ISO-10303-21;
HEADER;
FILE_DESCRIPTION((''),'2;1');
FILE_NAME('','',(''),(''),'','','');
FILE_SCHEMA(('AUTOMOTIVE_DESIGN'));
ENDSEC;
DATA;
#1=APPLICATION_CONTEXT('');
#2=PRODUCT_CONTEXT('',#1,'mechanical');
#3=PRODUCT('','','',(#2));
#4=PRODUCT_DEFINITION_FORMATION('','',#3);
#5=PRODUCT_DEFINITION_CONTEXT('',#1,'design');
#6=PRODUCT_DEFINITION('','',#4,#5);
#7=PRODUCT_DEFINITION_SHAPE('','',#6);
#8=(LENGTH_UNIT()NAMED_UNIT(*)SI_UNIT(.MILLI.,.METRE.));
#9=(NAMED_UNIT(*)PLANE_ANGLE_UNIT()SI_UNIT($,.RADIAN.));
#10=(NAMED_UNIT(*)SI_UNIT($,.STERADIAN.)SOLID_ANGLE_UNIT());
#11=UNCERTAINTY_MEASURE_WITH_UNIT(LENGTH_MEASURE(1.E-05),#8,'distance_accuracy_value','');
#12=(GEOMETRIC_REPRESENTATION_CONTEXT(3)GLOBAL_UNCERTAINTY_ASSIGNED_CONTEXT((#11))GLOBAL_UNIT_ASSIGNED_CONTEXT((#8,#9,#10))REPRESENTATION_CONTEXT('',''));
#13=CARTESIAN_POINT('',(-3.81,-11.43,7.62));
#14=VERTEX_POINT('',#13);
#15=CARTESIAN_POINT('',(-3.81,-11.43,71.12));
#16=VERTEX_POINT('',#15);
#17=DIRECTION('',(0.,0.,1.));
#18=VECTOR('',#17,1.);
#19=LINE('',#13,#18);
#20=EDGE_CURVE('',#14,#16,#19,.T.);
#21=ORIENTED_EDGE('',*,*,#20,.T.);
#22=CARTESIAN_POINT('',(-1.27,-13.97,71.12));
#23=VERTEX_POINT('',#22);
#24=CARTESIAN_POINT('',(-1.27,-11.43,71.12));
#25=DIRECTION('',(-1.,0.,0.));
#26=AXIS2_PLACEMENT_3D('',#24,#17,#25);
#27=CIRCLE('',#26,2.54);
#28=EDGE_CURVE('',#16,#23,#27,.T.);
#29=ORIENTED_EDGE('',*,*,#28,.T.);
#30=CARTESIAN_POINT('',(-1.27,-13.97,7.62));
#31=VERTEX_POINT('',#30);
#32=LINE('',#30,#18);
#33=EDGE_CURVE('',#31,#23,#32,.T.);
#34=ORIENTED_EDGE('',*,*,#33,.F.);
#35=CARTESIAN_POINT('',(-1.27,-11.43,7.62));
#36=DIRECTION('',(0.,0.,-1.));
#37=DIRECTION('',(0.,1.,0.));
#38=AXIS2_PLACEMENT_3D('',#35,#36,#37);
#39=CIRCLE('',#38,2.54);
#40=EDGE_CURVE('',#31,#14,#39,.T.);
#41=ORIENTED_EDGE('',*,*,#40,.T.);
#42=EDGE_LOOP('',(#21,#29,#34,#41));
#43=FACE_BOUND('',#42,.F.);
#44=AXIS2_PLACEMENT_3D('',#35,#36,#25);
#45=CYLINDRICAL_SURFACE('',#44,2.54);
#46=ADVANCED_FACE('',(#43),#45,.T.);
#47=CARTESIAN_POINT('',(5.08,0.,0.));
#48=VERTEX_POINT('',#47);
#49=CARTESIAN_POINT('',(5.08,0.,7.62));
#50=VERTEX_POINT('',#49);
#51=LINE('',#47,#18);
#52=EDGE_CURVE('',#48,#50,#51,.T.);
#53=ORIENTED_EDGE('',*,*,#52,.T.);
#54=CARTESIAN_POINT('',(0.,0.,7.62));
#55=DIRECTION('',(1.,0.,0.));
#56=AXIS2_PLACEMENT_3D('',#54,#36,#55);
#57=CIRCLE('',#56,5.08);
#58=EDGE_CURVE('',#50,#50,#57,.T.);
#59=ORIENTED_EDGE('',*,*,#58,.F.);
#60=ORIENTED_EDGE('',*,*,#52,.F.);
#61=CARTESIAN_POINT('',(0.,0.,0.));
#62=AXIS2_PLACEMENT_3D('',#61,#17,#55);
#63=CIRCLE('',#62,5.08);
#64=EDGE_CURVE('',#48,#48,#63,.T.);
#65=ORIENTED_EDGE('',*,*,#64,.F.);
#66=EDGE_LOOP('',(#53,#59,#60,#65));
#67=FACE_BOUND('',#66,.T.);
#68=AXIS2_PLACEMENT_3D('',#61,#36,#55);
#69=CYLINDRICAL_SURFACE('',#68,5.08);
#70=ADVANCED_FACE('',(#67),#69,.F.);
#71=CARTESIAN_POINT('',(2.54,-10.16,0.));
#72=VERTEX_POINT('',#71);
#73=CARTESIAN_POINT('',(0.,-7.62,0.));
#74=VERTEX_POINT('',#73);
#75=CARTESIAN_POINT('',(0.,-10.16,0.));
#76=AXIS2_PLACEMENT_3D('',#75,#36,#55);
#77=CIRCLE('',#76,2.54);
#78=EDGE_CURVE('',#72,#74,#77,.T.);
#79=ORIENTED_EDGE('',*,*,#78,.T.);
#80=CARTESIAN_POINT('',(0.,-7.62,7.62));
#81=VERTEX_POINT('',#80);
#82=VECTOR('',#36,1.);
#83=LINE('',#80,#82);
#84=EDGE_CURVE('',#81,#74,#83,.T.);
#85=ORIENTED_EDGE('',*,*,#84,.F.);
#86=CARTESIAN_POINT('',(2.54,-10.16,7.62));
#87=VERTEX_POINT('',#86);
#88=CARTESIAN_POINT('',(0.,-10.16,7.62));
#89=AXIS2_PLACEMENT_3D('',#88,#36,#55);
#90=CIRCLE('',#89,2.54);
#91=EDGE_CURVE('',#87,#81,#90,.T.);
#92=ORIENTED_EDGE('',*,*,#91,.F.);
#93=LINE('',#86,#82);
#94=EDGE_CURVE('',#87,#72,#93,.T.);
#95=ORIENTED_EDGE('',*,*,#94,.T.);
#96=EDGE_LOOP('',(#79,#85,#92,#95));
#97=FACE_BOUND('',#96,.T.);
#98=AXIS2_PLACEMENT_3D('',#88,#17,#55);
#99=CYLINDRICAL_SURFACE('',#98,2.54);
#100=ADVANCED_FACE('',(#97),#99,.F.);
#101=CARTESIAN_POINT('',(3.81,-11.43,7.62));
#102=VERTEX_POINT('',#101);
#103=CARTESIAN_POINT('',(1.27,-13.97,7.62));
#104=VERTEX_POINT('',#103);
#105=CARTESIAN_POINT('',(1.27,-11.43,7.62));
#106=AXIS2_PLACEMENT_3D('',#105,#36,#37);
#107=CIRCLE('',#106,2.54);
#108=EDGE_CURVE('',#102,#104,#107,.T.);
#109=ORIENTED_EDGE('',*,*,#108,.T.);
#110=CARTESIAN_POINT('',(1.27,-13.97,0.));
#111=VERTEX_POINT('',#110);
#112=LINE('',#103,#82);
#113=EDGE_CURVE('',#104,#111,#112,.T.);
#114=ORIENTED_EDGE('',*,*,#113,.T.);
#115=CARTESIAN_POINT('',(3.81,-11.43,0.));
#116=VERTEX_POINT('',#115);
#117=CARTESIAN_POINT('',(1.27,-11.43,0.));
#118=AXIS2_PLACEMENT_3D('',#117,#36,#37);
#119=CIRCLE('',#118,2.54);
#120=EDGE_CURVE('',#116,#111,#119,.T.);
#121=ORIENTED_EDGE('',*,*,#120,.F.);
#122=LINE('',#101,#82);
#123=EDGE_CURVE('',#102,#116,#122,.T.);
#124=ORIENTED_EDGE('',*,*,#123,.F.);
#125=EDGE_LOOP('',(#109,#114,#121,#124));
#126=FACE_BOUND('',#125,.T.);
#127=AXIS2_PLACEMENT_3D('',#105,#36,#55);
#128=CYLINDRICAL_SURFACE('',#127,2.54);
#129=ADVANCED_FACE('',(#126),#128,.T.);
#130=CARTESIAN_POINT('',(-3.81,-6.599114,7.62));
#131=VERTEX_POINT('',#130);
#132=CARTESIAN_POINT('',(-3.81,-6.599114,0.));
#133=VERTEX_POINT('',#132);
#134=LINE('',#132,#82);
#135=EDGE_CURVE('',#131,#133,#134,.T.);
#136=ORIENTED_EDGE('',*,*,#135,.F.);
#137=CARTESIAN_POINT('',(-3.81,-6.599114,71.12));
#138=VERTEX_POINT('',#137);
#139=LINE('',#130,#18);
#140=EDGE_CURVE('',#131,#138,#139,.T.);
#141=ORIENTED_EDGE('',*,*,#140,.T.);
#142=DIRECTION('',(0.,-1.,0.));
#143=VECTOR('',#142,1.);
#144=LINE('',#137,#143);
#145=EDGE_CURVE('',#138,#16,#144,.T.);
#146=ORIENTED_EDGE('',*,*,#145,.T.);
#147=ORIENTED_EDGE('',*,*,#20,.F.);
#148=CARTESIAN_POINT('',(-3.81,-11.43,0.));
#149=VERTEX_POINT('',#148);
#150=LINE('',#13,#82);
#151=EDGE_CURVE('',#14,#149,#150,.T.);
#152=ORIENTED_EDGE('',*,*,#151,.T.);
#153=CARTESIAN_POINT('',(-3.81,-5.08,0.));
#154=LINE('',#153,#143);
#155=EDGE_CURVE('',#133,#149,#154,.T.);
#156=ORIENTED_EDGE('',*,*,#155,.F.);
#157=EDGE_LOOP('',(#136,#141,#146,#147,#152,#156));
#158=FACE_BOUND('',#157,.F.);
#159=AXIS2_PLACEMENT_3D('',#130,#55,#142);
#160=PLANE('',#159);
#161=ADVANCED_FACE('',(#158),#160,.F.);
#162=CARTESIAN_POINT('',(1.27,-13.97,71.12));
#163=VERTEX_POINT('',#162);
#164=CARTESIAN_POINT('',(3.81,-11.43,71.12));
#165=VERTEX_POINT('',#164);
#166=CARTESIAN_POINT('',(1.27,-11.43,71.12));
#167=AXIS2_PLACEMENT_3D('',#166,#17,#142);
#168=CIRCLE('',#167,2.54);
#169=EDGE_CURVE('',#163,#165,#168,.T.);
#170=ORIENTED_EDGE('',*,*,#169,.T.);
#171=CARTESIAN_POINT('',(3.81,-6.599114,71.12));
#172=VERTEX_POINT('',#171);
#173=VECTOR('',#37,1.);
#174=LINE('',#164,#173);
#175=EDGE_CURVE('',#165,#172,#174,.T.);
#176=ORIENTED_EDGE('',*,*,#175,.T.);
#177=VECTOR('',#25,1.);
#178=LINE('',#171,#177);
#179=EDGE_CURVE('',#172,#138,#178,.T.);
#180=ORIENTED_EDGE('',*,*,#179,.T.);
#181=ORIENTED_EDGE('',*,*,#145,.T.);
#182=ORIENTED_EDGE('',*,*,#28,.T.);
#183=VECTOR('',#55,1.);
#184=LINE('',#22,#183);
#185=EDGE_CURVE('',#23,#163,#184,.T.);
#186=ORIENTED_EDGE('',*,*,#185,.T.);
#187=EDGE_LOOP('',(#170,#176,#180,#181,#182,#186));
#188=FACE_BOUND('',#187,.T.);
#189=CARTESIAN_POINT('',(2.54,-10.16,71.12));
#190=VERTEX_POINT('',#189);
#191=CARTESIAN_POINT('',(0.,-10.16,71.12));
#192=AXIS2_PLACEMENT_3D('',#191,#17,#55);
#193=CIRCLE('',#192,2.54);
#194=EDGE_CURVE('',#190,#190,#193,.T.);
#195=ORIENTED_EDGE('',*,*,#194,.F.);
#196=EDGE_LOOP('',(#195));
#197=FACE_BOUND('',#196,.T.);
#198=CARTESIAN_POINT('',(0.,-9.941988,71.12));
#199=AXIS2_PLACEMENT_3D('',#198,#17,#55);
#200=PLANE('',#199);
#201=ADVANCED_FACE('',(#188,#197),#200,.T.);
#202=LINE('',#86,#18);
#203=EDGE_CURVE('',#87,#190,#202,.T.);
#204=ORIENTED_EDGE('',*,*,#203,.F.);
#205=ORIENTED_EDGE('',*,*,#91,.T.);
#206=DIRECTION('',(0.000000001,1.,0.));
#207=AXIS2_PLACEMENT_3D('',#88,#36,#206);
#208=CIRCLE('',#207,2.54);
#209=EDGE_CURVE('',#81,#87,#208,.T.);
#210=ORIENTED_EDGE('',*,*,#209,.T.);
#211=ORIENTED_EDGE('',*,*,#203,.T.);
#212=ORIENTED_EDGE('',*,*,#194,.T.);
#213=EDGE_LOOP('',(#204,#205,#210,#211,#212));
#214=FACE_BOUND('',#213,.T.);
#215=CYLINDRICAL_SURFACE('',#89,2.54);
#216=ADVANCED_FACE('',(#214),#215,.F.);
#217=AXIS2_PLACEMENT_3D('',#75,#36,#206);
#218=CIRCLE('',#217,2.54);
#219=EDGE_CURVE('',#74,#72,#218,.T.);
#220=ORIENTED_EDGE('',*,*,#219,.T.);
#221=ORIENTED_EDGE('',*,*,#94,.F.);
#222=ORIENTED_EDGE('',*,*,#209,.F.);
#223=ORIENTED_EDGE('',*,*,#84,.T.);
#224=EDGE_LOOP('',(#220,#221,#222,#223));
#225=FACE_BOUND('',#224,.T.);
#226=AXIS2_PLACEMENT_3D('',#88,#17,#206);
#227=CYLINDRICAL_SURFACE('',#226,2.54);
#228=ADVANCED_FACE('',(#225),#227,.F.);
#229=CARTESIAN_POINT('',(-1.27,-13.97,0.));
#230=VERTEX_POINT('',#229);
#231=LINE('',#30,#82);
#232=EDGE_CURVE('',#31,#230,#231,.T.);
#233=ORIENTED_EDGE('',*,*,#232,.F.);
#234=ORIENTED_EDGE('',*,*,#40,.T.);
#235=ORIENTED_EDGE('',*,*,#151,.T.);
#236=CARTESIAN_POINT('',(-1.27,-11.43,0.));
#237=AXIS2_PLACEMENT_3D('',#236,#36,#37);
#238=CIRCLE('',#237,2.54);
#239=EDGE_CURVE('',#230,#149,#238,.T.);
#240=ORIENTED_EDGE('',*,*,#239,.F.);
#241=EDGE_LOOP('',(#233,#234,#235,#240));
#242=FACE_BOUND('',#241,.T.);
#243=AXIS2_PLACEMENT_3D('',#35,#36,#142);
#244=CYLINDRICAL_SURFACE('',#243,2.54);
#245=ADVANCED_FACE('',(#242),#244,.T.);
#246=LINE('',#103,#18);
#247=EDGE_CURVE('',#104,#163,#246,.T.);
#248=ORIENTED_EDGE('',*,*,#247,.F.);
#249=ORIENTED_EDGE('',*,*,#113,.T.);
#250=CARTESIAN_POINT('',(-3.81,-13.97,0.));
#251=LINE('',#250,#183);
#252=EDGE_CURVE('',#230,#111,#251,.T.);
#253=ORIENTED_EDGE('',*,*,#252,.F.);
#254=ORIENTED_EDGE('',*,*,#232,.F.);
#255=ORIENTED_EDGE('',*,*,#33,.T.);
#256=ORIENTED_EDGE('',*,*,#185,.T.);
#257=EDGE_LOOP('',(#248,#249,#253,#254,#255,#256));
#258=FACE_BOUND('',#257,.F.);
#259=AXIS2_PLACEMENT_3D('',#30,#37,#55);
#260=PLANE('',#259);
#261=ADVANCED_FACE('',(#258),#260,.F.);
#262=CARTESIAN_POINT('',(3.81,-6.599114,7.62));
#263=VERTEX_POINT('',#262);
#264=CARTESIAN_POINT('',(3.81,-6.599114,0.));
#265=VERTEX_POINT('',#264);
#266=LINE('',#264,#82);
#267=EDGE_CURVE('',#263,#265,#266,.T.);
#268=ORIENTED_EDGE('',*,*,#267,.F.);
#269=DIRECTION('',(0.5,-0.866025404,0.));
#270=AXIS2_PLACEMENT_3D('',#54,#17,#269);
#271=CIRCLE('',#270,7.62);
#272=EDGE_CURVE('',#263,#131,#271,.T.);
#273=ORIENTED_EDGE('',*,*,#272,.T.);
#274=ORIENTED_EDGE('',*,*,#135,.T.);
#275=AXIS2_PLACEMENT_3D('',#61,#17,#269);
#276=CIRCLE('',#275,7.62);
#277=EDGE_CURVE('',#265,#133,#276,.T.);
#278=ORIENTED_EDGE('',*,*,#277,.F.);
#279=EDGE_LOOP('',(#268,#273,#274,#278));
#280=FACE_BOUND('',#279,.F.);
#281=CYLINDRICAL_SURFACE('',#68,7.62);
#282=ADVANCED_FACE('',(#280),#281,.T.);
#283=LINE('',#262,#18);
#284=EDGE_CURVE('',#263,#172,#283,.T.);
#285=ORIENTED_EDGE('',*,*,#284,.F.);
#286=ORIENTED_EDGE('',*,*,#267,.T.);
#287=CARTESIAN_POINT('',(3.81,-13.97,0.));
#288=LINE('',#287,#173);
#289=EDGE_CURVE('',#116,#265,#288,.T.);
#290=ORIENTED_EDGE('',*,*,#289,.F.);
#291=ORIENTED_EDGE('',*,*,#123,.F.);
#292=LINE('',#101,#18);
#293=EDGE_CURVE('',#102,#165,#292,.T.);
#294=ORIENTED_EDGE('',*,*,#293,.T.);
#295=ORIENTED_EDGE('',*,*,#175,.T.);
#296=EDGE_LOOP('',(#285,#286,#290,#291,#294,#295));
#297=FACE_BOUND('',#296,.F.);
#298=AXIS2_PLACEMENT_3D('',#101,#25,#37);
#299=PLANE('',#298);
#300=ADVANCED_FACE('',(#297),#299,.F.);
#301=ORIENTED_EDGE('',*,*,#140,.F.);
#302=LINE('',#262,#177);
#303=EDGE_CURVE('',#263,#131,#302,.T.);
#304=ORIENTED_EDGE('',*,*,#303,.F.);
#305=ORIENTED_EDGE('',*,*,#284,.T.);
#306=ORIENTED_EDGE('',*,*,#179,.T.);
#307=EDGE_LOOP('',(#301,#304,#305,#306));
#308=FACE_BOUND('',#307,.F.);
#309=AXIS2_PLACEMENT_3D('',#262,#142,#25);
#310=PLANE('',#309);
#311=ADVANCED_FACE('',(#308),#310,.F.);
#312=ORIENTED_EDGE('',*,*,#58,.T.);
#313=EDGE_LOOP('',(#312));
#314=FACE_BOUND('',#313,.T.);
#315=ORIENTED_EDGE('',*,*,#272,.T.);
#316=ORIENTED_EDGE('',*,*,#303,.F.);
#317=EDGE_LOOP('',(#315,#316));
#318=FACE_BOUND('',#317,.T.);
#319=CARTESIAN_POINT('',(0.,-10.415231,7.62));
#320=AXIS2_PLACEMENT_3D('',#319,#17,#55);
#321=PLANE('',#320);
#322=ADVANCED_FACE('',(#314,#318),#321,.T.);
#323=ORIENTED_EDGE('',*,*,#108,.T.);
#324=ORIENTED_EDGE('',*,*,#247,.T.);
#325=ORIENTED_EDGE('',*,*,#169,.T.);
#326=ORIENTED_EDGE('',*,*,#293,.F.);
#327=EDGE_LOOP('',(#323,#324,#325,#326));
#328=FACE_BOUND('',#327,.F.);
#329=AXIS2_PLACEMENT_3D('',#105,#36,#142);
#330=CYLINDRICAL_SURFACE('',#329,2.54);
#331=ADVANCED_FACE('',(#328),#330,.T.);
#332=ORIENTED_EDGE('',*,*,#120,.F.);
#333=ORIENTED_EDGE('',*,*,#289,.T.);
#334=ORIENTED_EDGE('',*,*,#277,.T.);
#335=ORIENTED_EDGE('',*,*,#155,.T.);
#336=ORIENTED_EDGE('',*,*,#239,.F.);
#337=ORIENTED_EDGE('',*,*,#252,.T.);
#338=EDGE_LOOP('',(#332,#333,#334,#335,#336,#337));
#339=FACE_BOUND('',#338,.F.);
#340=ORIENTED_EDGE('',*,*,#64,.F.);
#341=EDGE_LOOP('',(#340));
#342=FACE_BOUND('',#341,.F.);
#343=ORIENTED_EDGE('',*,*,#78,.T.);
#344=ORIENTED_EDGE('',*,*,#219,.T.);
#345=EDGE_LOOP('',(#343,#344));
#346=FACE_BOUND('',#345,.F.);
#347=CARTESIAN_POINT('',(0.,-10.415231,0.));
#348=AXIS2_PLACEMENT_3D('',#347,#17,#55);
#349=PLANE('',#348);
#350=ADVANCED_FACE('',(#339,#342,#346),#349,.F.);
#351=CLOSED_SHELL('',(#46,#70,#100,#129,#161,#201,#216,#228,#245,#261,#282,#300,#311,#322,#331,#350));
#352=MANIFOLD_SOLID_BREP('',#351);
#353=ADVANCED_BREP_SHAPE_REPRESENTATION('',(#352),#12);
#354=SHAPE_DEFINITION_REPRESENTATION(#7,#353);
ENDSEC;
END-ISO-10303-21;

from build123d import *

# Parameters (mm, degrees)
F0_R     = 7.62
F0_R_2   = 5.08
F1_DEPTH = 7.62
F3_DEPTH = 7.62
F4_R     = 2.54
F5_R     = 2.54
F6_DEPTH = 63.5


with BuildPart() as f1:
    # F0 (on Top) → F1 (new body)
    with BuildSketch(Plane.XY):
        Circle(F0_R)
        Circle(F0_R_2, mode=Mode.SUBTRACT)
    extrude(amount=F1_DEPTH)

    # F2 (on face) → F3 (join)
    with BuildSketch(Plane.XY.offset(7.62)):
        with BuildLine():
            ThreePointArc((3.7e-09, -7.62), (-1.9722011219, -7.3603547968), (-3.81, -6.5991135768))
            Line((-3.81, -6.5991135768), (-3.81, -13.97))
            Line((-3.81, -13.97), (3.81, -13.97))
            Line((3.81, -13.97), (3.81, -6.5991135768))
            ThreePointArc((3.81, -6.5991135768), (1.9722011255, -7.3603547958), (3.7e-09, -7.62))
        make_face()
        with BuildLine():
            ThreePointArc((2.54, -10.16), (-1.7960512255, -11.9560512229), (3.7e-09, -7.62))
            ThreePointArc((3.7e-09, -7.62), (1.7960512255, -8.3639487771), (2.54, -10.16))
        make_face(mode=Mode.SUBTRACT)
        with BuildLine():
            Line((0, -5.08), (-3.81, -5.08))
            Line((-3.81, -5.08), (-3.81, -6.5991135768))
            ThreePointArc((-3.81, -6.5991135768), (-1.9722011219, -7.3603547968), (3.7e-09, -7.62))
            ThreePointArc((3.7e-09, -7.62), (1.9722011255, -7.3603547958), (3.81, -6.5991135768))
            Line((3.81, -6.5991135768), (3.81, -5.08))
            Line((3.81, -5.08), (0, -5.08))
        make_face()
    extrude(amount=-F3_DEPTH)

    # F4
    f4_edges = [f1.edges().sort_by_distance(p)[0] for p in [
        (3.81, -13.97, 3.81),
        (-3.81, -13.97, 3.81),
    ]]
    fillet(f4_edges, radius=F4_R)

    # F5 (on face) → F6 (join)
    with BuildSketch(Plane.XY.offset(7.62)):
        with BuildLine():
            Line((3.81, -6.5991135768), (-3.81, -6.5991135768))
            Line((-3.81, -6.5991135768), (-3.81, -11.43))
            ThreePointArc((-3.81, -11.43), (-3.0660512242, -13.2260512242), (-1.27, -13.97))
            Line((-1.27, -13.97), (1.27, -13.97))
            ThreePointArc((1.27, -13.97), (3.0660512242, -13.2260512242), (3.81, -11.43))
            Line((3.81, -11.43), (3.81, -6.5991135768))
        make_face()
        with Locations((0, -10.16)):
            Circle(F5_R, mode=Mode.SUBTRACT)
    extrude(amount=F6_DEPTH)


solid = f1.part
